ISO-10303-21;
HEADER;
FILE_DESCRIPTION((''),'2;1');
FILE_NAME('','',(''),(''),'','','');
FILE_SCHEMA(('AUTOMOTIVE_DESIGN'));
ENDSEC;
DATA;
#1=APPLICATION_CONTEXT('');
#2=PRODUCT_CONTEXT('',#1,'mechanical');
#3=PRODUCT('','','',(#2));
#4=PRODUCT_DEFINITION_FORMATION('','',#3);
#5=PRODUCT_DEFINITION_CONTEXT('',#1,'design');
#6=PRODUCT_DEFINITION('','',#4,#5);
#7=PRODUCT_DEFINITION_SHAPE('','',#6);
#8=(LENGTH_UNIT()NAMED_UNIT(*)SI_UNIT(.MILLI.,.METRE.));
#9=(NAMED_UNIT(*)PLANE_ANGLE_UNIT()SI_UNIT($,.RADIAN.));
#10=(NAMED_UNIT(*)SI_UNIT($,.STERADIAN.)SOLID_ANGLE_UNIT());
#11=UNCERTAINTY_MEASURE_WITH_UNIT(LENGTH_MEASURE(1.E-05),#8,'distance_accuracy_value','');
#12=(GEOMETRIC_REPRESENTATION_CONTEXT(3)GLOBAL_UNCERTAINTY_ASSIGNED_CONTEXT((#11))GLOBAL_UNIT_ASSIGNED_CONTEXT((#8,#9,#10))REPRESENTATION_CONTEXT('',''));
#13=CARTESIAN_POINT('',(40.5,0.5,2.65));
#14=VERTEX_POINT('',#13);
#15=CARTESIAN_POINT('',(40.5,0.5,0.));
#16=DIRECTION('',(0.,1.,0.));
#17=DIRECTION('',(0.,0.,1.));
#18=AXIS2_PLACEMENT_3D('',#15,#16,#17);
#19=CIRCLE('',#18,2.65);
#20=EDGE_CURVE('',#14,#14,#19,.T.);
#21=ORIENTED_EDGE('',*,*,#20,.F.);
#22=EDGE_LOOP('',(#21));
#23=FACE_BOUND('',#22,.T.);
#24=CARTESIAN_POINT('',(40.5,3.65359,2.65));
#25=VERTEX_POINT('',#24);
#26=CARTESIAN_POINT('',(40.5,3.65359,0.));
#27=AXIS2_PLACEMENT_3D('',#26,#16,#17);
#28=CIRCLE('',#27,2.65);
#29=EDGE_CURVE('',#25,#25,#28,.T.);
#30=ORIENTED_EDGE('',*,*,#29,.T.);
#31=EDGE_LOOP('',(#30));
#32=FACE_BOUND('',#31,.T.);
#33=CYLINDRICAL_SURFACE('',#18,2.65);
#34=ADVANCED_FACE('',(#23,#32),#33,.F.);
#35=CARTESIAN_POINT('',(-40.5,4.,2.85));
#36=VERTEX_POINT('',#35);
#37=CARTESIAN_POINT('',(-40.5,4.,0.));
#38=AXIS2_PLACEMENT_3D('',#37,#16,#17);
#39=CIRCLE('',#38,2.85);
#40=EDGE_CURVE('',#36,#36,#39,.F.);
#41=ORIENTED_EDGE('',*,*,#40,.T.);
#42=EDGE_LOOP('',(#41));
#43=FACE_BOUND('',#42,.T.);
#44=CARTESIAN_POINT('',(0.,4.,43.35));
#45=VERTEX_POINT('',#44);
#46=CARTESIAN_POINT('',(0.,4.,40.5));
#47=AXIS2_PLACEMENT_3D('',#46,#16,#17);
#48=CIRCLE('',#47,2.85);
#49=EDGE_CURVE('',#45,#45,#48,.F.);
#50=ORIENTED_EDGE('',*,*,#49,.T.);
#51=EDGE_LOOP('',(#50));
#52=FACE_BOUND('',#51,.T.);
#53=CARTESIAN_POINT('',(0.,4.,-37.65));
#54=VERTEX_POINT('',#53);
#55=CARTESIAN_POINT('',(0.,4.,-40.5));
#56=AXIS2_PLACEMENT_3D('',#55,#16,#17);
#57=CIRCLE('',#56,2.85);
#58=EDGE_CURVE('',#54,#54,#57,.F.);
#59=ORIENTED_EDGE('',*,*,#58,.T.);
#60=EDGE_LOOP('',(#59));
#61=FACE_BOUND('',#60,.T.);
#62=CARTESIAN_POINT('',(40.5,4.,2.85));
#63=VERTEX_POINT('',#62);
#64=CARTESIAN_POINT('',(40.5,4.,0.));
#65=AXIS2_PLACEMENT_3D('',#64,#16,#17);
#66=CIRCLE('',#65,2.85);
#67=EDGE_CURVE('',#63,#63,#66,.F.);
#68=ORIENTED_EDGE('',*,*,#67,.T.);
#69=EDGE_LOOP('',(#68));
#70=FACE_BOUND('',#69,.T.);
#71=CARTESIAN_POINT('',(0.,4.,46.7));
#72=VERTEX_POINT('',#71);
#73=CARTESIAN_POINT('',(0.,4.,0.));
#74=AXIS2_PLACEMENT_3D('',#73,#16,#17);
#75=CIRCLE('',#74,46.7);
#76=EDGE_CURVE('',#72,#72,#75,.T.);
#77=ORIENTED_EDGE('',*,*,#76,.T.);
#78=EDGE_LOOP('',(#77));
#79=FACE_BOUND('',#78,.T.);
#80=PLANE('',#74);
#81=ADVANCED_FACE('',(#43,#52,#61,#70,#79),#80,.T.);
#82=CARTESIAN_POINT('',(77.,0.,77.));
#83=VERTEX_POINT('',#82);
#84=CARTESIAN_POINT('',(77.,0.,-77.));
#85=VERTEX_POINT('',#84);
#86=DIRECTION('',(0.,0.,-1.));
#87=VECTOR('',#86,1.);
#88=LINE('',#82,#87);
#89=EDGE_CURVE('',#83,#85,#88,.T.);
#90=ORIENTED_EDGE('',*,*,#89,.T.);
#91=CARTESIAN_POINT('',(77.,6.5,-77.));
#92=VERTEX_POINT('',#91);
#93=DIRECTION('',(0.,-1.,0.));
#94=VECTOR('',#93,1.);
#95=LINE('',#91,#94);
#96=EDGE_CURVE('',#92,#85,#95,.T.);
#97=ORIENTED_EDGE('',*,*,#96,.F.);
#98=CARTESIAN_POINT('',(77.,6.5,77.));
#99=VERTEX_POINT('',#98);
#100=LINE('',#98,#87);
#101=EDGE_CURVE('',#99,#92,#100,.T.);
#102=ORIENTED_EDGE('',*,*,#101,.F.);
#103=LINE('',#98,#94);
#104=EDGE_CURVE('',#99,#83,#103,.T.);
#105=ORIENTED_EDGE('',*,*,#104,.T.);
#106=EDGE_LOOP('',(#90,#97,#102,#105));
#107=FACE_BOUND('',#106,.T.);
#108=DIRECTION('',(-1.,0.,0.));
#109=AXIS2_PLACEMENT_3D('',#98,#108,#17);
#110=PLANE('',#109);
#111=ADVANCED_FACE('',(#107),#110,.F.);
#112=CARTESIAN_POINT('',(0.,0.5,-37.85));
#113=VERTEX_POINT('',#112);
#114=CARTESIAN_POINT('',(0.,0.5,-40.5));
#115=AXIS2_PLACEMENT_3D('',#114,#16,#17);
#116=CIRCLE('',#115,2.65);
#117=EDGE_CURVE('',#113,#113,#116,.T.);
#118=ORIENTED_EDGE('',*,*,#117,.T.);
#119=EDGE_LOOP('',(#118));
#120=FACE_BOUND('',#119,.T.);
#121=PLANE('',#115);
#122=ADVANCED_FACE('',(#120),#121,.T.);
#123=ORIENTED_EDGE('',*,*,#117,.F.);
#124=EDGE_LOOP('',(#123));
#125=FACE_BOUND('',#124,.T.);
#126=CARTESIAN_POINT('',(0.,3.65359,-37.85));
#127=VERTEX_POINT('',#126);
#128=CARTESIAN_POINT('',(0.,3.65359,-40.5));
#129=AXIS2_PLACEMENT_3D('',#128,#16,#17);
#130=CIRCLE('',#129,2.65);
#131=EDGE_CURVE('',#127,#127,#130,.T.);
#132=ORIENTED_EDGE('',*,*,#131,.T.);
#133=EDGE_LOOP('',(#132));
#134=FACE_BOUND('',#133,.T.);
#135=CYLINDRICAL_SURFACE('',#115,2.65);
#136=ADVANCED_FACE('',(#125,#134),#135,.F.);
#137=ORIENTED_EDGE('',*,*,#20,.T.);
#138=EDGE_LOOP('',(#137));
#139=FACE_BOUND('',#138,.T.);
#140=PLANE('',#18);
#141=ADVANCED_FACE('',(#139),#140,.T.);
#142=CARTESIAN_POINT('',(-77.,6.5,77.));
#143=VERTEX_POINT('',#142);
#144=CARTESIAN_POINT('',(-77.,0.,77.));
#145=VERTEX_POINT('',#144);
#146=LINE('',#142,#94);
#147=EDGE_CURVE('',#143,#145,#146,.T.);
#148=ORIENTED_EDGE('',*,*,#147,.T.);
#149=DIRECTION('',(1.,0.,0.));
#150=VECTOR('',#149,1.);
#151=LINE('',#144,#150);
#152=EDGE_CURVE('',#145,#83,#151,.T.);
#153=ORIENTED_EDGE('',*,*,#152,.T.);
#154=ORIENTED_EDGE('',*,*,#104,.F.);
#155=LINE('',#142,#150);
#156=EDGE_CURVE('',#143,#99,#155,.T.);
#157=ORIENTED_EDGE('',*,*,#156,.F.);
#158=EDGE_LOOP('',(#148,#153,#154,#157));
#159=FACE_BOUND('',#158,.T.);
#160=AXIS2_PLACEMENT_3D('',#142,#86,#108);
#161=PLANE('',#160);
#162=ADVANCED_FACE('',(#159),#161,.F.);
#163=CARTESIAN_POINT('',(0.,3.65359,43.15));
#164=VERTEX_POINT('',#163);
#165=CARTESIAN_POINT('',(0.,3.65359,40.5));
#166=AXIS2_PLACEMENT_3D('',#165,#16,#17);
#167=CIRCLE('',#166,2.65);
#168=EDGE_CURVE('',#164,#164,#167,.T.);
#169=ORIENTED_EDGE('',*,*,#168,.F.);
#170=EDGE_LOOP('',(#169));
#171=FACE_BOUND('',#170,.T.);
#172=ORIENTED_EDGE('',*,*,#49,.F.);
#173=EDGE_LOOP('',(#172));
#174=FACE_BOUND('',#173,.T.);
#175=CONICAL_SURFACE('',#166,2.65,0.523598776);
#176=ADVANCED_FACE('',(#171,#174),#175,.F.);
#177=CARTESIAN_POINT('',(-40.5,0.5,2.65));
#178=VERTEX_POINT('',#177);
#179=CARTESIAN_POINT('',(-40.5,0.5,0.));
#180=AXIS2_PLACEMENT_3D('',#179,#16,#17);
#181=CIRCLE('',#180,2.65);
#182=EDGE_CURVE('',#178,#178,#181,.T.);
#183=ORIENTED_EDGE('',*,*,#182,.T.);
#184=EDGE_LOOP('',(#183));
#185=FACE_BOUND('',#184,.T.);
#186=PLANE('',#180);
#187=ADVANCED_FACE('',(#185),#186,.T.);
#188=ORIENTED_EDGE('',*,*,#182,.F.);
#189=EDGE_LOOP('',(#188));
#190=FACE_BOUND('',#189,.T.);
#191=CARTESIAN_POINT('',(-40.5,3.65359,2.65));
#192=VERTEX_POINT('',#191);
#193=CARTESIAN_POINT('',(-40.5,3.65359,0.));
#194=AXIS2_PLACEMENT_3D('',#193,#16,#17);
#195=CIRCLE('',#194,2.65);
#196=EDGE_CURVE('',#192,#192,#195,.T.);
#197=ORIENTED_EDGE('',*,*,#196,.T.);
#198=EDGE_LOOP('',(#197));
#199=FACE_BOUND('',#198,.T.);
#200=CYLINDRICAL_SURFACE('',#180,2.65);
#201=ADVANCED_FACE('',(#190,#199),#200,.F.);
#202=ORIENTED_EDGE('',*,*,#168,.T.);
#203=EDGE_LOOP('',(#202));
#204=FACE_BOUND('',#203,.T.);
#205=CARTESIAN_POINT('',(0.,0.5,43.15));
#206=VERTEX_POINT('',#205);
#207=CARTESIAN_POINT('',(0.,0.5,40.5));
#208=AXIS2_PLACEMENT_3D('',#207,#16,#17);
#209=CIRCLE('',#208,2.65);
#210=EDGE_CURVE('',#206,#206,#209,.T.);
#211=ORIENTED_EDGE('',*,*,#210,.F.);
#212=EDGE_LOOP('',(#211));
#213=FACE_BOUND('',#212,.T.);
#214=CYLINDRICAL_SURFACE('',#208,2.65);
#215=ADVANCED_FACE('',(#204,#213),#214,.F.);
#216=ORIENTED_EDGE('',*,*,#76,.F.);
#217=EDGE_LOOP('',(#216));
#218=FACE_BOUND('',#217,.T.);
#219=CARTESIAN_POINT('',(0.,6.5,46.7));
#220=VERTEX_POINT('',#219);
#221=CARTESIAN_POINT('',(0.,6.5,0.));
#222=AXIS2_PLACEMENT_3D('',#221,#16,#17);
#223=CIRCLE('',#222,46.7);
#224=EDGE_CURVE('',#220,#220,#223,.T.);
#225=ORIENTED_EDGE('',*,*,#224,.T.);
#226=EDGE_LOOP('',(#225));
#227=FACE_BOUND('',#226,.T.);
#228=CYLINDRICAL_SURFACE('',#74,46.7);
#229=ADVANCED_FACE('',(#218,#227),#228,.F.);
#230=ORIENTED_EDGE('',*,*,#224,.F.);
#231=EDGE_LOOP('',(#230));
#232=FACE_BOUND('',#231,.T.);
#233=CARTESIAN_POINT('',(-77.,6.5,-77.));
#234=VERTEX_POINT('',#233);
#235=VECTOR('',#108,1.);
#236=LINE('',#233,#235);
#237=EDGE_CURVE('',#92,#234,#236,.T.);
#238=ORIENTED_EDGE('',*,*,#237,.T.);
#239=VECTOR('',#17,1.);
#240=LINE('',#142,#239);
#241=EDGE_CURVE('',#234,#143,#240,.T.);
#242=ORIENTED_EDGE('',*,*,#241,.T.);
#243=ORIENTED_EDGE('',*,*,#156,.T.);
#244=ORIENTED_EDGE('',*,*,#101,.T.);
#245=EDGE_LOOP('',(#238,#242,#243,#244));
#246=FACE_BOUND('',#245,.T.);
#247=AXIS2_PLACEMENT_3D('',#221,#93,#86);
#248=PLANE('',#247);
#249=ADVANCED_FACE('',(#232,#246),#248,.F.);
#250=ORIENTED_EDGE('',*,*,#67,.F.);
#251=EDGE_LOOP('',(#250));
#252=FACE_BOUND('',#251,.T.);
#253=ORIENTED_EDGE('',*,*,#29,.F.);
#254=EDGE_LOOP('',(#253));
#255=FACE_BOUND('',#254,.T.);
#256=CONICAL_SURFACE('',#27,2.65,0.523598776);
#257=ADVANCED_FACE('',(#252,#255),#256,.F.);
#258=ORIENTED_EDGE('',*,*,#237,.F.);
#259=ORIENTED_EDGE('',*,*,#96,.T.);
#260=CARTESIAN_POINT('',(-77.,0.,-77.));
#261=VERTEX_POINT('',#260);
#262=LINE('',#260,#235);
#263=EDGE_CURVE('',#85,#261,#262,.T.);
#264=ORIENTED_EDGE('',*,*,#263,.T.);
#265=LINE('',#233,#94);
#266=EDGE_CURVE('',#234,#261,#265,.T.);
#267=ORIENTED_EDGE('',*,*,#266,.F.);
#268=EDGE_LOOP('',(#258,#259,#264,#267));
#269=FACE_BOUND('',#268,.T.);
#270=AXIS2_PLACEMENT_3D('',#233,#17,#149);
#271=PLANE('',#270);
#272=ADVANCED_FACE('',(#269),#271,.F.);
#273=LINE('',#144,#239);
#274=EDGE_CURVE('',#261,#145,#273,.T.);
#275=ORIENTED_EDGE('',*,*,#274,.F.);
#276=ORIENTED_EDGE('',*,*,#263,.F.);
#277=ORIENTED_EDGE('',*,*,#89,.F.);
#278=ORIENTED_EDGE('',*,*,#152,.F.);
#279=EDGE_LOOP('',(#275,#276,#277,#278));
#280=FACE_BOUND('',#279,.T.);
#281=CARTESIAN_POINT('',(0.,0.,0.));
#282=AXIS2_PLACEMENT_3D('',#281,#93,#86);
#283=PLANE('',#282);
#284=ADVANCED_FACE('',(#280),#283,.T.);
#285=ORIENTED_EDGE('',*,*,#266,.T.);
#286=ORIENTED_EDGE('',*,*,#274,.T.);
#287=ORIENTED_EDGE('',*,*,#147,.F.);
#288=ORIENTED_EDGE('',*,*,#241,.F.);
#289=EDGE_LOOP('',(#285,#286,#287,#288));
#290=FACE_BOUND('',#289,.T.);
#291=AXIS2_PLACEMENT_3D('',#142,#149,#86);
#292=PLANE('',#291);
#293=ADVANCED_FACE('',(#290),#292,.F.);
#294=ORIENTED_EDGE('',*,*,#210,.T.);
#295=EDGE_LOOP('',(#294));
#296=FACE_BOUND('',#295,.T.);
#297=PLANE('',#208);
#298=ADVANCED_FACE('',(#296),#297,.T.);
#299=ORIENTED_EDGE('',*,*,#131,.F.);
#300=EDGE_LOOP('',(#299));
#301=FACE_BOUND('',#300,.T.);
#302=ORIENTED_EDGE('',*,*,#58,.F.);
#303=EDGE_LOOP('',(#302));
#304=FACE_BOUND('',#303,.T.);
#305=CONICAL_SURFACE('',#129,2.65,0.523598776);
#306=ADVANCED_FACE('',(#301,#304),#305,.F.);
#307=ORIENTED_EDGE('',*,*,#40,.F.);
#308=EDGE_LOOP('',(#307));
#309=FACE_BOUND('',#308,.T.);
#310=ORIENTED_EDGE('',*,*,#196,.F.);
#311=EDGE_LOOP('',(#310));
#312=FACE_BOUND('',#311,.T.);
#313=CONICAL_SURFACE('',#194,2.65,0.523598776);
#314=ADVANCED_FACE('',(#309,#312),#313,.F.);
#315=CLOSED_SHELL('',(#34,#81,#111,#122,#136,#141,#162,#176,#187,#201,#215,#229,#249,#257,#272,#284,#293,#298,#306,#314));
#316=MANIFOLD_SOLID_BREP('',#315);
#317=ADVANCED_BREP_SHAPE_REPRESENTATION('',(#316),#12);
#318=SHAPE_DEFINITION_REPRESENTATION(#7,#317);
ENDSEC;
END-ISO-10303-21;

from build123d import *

# Parameters (mm, degrees)
SKETCH1_W           = 154
SKETCH1_H           = 154
BOSS_EXTRUDE1_DEPTH = 6.5
SKETCH2_R           = 46.7
CUT_EXTRUDE1_DEPTH  = 2.5
SKETCH3_R           = 2.65
CUT_EXTRUDE2_DEPTH  = 3.5
CHAMFER1_SIZE       = 0.2
CHAMFER1_SIZE2      = 0.346410162


with BuildPart() as part:
    # Sketch1 → Boss-Extrude1 (new body)
    with BuildSketch(Plane(origin=(0, 0, 0), x_dir=(1, 0, 0), z_dir=(0, 1, 0))):
        Rectangle(SKETCH1_W, SKETCH1_H)
    extrude(amount=BOSS_EXTRUDE1_DEPTH)

    # Sketch2 → Cut-Extrude1 (cut)
    with BuildSketch(Plane(origin=(0, 6.5, 0), x_dir=(1, 0, 0), z_dir=(0, 1, 0))):
        Circle(SKETCH2_R)
    extrude(amount=-CUT_EXTRUDE1_DEPTH, mode=Mode.SUBTRACT)

    # Sketch3 → Cut-Extrude2 (cut)
    with BuildSketch(Plane(origin=(0, 4, 0), x_dir=(1, 0, 0), z_dir=(0, 1, 0))):
        with Locations((0, 40.5)):
            Circle(SKETCH3_R)
        with Locations((-40.5, 0)):
            Circle(SKETCH3_R)
        with Locations((0, -40.5)):
            Circle(SKETCH3_R)
        with Locations((40.5, 0)):
            Circle(SKETCH3_R)
    extrude(amount=-CUT_EXTRUDE2_DEPTH, mode=Mode.SUBTRACT)

    # Chamfer1
    chamfer1_edges = [part.edges().sort_by_distance(p)[0] for p in [
        (-2.65, 4, -40.5),
        (-43.15, 4, 0),
        (-2.65, 4, 40.5),
        (37.85, 4, 0),
    ]]
    chamfer1_side = [part.faces().sort_by_distance(p)[0] for p in [
        (0, 4, 0),
    ]]
    chamfer(chamfer1_edges, length=CHAMFER1_SIZE, length2=CHAMFER1_SIZE2, reference=chamfer1_side[0])


solid = part.part
